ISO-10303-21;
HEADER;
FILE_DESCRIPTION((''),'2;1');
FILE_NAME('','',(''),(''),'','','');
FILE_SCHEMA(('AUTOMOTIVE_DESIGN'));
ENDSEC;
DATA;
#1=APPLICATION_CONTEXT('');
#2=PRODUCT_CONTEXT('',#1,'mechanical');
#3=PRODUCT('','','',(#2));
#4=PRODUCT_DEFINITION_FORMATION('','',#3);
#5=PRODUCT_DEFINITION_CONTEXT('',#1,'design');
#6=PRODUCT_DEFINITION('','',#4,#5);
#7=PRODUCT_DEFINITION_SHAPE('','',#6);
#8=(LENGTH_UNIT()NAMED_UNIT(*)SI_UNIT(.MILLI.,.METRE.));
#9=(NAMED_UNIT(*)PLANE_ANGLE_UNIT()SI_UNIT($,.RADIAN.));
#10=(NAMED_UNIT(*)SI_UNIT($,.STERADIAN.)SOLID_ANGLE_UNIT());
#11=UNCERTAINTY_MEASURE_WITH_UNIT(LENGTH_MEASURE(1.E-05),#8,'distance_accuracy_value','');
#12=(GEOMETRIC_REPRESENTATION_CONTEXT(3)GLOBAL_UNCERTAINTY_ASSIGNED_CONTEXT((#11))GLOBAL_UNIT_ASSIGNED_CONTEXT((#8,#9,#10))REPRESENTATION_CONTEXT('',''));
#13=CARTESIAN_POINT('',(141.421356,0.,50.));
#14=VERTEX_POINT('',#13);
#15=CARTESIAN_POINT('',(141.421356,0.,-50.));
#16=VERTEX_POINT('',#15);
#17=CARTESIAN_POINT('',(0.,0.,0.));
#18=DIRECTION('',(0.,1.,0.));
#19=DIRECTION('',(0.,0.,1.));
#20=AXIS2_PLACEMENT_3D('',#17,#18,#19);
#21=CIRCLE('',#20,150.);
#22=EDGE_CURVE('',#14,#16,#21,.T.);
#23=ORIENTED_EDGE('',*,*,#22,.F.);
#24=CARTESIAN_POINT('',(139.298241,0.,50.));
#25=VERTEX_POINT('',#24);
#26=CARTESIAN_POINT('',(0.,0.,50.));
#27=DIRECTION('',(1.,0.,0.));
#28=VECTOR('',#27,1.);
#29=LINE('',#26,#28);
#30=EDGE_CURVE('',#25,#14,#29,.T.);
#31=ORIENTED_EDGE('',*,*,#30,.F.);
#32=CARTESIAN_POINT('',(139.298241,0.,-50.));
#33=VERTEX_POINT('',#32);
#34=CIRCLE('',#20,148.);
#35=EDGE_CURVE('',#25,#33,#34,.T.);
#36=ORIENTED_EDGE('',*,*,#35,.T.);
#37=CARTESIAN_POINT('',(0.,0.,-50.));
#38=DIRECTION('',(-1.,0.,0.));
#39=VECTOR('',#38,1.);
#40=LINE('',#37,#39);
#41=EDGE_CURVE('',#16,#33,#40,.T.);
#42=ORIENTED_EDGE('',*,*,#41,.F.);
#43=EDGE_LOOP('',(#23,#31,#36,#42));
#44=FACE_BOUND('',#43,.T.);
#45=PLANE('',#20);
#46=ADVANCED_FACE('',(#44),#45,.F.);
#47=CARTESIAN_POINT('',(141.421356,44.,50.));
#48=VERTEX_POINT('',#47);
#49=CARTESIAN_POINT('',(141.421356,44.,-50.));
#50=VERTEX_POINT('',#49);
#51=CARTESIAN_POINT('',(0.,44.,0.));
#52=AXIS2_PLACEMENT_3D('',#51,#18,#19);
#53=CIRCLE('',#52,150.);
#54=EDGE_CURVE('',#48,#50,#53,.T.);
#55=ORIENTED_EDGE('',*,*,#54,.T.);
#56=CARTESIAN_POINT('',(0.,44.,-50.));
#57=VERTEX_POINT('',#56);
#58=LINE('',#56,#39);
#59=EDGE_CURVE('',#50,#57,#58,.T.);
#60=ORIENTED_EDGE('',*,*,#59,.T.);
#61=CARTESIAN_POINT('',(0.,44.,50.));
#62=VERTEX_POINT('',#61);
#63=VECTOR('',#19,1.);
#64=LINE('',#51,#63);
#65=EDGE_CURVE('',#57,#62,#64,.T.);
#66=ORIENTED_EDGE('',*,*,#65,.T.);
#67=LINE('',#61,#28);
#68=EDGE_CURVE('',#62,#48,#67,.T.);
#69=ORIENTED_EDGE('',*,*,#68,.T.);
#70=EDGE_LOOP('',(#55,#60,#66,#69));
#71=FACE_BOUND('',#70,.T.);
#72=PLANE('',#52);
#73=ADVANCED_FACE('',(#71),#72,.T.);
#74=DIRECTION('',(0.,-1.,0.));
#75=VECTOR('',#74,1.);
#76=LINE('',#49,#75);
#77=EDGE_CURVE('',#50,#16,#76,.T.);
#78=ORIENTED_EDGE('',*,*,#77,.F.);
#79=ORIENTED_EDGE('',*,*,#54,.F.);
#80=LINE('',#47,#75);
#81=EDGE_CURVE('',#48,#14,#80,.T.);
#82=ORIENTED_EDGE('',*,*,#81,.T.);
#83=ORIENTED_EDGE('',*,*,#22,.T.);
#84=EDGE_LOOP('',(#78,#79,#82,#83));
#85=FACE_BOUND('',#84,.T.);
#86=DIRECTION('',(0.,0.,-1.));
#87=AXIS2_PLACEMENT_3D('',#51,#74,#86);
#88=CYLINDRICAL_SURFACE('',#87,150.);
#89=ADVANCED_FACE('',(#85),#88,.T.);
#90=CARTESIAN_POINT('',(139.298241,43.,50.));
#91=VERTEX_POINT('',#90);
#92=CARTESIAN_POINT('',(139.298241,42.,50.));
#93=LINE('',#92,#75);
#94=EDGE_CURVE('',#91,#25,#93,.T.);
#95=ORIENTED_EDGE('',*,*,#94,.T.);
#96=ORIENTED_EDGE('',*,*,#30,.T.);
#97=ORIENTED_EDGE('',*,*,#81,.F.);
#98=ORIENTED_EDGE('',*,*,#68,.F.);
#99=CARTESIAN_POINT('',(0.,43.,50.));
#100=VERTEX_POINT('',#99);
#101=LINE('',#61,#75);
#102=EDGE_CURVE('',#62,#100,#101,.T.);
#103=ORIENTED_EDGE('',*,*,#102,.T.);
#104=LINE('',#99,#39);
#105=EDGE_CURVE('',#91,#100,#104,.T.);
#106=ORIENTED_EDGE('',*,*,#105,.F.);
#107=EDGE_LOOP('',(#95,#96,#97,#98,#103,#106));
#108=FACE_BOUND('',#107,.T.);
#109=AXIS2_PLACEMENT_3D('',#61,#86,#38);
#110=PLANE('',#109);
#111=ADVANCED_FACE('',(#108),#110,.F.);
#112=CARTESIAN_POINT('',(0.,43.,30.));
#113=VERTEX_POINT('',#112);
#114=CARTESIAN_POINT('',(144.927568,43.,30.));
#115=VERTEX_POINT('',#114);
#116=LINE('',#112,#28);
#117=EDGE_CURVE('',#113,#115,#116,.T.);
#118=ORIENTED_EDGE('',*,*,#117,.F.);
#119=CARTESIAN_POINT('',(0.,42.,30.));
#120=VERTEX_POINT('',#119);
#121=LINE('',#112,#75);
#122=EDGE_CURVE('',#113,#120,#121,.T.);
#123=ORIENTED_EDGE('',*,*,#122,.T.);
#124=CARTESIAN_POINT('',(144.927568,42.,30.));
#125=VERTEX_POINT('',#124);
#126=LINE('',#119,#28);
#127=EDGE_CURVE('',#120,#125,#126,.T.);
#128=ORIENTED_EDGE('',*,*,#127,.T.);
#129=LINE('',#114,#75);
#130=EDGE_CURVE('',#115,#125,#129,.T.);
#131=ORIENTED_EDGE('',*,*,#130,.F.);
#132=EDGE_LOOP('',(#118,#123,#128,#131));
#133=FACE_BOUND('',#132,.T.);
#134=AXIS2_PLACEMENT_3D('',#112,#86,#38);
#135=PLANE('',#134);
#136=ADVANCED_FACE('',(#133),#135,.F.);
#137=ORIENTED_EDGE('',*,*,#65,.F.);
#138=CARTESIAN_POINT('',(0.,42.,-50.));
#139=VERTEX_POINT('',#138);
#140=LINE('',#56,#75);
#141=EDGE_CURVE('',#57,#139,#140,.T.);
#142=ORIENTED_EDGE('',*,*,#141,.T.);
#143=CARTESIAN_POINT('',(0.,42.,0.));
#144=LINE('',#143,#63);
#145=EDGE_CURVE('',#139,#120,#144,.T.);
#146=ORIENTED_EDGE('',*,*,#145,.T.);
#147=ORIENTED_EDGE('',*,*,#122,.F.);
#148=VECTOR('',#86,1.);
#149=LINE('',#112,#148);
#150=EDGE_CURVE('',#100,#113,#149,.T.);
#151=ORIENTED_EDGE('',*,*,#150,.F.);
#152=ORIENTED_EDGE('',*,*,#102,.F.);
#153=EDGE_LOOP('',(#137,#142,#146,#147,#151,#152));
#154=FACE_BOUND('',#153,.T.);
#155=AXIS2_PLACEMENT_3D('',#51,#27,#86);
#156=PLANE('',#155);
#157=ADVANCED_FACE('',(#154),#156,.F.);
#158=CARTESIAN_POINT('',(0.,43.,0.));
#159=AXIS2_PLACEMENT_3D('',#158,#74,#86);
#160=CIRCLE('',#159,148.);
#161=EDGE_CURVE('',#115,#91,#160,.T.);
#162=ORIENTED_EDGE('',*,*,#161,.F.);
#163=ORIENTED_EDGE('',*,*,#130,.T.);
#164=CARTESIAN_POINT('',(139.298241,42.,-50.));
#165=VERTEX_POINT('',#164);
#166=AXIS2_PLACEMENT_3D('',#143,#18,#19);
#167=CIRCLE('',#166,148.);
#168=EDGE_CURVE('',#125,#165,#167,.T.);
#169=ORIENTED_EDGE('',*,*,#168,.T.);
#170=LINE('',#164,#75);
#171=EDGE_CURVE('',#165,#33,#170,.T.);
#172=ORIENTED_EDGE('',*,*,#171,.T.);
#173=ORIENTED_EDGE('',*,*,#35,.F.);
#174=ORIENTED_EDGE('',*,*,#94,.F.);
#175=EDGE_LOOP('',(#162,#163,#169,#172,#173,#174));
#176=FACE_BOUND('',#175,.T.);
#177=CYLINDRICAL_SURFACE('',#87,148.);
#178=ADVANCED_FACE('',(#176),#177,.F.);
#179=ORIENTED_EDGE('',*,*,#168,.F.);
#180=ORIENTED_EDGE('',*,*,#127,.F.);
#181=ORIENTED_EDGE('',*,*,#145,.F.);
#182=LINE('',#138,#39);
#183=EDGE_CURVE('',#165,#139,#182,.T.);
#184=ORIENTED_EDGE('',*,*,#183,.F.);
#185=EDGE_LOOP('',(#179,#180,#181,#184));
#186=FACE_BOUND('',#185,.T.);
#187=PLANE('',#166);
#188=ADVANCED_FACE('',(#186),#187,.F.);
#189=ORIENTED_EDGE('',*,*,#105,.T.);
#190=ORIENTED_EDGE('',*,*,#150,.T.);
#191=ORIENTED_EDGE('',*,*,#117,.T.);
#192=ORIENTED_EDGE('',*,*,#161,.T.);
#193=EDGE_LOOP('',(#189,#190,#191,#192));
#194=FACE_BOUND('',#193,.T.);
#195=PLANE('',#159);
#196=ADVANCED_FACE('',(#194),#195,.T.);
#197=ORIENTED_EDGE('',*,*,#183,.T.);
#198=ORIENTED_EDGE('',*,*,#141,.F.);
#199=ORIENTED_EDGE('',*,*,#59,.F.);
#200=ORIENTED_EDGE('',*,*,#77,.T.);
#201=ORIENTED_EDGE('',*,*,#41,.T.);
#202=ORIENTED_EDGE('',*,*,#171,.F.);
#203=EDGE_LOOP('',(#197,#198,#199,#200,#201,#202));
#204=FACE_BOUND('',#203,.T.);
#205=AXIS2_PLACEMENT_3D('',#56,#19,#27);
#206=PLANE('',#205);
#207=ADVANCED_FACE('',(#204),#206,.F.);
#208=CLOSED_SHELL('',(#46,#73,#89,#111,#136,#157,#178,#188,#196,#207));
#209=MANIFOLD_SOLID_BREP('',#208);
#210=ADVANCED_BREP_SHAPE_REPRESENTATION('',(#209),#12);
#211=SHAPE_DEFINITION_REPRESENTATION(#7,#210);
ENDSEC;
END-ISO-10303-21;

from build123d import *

# Parameters (mm, degrees)
BOSS_EXTRUDE1_DEPTH = 44
SHELL1_T            = -2
CUT_EXTRUDE1_DEPTH  = 1


with BuildPart() as part:
    # Sketch1 → Boss-Extrude1 (new body)
    with BuildSketch(Plane(origin=(0, 0, 0), x_dir=(1, 0, 0), z_dir=(0, 1, 0))):
        with BuildLine():
            Line((0, 0), (0, 50))
            Line((0, 50), (141.421356237, 50))
            ThreePointArc((141.421356237, 50), (150, 0), (141.421356237, -50))
            Line((141.421356237, -50), (0, -50))
            Line((0, -50), (0, 0))
        make_face()
    extrude(amount=BOSS_EXTRUDE1_DEPTH)

    # Shell1
    shell1_openings = [part.faces().sort_by_distance(p)[0] for p in [
        (70.710678119, 22, 50),
        (73.609024715, 0, 0),
        (0, 22, 0),
        (70.710678119, 22, -50),
    ]]
    offset(amount=SHELL1_T, openings=shell1_openings, kind=Kind.INTERSECTION)

    # Sketch3 → Cut-Extrude1 (cut)
    with BuildSketch(Plane.XZ.offset(-42)):
        with BuildLine():
            Line((0, 30), (144.927568116, 30))
            ThreePointArc((144.927568116, 30), (142.464303142, 40.098906848), (139.298241195, 50))
            Line((139.298241195, 50), (0, 50))
            Line((0, 50), (0, 30))
        make_face()
    extrude(amount=-CUT_EXTRUDE1_DEPTH, mode=Mode.SUBTRACT)


solid = part.part
